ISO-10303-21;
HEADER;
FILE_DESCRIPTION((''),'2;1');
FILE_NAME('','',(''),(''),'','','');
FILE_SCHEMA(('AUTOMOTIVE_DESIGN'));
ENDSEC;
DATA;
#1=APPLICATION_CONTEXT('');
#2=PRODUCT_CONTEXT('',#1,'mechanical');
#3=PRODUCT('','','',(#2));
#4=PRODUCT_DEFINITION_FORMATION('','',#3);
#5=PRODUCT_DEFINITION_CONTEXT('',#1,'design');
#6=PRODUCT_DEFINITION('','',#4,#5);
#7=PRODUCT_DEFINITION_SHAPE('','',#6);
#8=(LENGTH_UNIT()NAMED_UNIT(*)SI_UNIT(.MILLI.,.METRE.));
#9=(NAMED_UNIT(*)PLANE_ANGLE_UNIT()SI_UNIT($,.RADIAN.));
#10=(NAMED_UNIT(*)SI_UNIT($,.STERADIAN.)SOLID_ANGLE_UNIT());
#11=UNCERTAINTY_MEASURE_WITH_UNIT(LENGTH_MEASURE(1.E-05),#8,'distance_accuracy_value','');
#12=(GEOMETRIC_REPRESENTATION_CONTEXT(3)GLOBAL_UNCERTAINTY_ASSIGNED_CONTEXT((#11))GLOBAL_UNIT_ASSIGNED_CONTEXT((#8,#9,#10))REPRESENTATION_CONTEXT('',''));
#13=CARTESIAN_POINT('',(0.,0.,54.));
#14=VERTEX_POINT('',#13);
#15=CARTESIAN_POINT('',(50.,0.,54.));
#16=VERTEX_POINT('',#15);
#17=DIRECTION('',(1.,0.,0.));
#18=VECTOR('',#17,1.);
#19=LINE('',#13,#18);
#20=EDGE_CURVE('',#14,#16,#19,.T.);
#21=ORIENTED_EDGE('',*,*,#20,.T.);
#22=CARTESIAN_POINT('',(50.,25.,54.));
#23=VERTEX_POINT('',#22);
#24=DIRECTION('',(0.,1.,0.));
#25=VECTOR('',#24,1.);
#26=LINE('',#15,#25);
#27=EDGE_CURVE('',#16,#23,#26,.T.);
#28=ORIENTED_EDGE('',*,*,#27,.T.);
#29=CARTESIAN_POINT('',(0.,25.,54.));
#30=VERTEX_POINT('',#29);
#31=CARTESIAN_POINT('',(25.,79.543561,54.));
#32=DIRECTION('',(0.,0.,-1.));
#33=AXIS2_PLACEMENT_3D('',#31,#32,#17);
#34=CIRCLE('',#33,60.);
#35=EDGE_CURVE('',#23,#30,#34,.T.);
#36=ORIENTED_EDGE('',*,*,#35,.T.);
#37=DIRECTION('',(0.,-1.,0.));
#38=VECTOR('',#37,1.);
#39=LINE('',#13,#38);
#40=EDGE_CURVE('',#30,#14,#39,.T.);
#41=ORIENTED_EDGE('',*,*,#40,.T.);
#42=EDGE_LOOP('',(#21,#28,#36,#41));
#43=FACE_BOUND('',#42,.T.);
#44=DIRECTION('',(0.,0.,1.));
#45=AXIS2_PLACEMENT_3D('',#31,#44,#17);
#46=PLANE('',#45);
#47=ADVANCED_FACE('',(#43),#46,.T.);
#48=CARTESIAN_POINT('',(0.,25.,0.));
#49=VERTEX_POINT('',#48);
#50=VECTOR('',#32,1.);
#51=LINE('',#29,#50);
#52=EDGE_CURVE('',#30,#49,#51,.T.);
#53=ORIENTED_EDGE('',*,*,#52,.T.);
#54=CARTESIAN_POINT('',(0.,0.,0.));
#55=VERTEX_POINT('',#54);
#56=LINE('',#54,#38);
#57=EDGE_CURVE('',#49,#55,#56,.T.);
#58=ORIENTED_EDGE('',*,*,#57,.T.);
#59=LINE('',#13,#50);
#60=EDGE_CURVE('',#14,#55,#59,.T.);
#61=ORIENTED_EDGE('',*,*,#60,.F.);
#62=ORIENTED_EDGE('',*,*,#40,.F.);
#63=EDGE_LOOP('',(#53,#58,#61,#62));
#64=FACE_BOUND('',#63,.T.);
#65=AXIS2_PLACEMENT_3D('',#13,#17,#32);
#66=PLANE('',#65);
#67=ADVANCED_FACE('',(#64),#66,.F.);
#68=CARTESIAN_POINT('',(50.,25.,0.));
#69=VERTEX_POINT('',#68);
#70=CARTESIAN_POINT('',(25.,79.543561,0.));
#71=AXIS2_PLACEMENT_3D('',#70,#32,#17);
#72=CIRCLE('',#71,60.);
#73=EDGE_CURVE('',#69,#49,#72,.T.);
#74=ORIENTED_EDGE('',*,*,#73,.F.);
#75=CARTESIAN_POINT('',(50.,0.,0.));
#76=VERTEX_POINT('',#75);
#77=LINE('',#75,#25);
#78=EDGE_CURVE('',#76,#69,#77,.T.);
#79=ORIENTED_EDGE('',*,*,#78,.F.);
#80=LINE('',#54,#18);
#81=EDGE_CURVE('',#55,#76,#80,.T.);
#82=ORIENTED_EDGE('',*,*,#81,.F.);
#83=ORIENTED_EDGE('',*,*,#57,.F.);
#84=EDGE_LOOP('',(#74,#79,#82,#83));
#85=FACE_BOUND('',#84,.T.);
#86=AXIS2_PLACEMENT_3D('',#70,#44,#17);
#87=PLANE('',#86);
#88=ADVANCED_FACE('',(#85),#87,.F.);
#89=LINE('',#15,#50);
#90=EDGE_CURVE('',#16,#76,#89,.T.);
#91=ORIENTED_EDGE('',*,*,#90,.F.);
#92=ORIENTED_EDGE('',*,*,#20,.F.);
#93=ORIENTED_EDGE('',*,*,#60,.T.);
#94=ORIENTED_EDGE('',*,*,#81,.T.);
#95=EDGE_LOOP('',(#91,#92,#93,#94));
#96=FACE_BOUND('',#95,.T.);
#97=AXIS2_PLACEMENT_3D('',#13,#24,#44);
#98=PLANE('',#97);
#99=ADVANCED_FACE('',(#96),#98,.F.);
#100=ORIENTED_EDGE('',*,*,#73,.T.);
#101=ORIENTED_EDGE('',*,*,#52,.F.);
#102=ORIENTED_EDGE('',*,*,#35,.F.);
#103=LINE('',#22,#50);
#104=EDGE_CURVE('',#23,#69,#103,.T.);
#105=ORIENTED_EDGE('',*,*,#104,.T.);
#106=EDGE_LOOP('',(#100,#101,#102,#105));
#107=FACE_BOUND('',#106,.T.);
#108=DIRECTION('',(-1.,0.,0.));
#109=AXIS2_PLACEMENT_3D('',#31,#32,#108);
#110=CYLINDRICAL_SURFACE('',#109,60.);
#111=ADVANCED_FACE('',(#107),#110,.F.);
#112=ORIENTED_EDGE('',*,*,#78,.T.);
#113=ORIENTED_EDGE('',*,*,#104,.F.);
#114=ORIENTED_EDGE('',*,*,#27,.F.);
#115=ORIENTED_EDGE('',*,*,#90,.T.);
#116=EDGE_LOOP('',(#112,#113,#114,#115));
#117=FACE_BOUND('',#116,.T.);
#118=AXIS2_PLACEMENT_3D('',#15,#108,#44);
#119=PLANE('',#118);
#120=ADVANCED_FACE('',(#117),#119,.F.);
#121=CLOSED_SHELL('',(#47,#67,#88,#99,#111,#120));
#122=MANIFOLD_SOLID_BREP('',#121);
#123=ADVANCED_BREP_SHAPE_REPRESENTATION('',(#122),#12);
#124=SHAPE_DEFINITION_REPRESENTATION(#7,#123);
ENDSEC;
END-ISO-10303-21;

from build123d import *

# Parameters (mm, degrees)
BOSS_EXTRUDE1_DEPTH = 54


with BuildPart() as part:
    # Sketch2 → Boss-Extrude1 (new body)
    with BuildSketch(Plane.XY):
        with BuildLine():
            Line((0, 0), (50, 0))
            Line((50, 0), (50, 25))
            ThreePointArc((50, 25), (25, 19.543560573), (0, 25))
            Line((0, 25), (0, 0))
        make_face()
    extrude(amount=BOSS_EXTRUDE1_DEPTH)


solid = part.part
